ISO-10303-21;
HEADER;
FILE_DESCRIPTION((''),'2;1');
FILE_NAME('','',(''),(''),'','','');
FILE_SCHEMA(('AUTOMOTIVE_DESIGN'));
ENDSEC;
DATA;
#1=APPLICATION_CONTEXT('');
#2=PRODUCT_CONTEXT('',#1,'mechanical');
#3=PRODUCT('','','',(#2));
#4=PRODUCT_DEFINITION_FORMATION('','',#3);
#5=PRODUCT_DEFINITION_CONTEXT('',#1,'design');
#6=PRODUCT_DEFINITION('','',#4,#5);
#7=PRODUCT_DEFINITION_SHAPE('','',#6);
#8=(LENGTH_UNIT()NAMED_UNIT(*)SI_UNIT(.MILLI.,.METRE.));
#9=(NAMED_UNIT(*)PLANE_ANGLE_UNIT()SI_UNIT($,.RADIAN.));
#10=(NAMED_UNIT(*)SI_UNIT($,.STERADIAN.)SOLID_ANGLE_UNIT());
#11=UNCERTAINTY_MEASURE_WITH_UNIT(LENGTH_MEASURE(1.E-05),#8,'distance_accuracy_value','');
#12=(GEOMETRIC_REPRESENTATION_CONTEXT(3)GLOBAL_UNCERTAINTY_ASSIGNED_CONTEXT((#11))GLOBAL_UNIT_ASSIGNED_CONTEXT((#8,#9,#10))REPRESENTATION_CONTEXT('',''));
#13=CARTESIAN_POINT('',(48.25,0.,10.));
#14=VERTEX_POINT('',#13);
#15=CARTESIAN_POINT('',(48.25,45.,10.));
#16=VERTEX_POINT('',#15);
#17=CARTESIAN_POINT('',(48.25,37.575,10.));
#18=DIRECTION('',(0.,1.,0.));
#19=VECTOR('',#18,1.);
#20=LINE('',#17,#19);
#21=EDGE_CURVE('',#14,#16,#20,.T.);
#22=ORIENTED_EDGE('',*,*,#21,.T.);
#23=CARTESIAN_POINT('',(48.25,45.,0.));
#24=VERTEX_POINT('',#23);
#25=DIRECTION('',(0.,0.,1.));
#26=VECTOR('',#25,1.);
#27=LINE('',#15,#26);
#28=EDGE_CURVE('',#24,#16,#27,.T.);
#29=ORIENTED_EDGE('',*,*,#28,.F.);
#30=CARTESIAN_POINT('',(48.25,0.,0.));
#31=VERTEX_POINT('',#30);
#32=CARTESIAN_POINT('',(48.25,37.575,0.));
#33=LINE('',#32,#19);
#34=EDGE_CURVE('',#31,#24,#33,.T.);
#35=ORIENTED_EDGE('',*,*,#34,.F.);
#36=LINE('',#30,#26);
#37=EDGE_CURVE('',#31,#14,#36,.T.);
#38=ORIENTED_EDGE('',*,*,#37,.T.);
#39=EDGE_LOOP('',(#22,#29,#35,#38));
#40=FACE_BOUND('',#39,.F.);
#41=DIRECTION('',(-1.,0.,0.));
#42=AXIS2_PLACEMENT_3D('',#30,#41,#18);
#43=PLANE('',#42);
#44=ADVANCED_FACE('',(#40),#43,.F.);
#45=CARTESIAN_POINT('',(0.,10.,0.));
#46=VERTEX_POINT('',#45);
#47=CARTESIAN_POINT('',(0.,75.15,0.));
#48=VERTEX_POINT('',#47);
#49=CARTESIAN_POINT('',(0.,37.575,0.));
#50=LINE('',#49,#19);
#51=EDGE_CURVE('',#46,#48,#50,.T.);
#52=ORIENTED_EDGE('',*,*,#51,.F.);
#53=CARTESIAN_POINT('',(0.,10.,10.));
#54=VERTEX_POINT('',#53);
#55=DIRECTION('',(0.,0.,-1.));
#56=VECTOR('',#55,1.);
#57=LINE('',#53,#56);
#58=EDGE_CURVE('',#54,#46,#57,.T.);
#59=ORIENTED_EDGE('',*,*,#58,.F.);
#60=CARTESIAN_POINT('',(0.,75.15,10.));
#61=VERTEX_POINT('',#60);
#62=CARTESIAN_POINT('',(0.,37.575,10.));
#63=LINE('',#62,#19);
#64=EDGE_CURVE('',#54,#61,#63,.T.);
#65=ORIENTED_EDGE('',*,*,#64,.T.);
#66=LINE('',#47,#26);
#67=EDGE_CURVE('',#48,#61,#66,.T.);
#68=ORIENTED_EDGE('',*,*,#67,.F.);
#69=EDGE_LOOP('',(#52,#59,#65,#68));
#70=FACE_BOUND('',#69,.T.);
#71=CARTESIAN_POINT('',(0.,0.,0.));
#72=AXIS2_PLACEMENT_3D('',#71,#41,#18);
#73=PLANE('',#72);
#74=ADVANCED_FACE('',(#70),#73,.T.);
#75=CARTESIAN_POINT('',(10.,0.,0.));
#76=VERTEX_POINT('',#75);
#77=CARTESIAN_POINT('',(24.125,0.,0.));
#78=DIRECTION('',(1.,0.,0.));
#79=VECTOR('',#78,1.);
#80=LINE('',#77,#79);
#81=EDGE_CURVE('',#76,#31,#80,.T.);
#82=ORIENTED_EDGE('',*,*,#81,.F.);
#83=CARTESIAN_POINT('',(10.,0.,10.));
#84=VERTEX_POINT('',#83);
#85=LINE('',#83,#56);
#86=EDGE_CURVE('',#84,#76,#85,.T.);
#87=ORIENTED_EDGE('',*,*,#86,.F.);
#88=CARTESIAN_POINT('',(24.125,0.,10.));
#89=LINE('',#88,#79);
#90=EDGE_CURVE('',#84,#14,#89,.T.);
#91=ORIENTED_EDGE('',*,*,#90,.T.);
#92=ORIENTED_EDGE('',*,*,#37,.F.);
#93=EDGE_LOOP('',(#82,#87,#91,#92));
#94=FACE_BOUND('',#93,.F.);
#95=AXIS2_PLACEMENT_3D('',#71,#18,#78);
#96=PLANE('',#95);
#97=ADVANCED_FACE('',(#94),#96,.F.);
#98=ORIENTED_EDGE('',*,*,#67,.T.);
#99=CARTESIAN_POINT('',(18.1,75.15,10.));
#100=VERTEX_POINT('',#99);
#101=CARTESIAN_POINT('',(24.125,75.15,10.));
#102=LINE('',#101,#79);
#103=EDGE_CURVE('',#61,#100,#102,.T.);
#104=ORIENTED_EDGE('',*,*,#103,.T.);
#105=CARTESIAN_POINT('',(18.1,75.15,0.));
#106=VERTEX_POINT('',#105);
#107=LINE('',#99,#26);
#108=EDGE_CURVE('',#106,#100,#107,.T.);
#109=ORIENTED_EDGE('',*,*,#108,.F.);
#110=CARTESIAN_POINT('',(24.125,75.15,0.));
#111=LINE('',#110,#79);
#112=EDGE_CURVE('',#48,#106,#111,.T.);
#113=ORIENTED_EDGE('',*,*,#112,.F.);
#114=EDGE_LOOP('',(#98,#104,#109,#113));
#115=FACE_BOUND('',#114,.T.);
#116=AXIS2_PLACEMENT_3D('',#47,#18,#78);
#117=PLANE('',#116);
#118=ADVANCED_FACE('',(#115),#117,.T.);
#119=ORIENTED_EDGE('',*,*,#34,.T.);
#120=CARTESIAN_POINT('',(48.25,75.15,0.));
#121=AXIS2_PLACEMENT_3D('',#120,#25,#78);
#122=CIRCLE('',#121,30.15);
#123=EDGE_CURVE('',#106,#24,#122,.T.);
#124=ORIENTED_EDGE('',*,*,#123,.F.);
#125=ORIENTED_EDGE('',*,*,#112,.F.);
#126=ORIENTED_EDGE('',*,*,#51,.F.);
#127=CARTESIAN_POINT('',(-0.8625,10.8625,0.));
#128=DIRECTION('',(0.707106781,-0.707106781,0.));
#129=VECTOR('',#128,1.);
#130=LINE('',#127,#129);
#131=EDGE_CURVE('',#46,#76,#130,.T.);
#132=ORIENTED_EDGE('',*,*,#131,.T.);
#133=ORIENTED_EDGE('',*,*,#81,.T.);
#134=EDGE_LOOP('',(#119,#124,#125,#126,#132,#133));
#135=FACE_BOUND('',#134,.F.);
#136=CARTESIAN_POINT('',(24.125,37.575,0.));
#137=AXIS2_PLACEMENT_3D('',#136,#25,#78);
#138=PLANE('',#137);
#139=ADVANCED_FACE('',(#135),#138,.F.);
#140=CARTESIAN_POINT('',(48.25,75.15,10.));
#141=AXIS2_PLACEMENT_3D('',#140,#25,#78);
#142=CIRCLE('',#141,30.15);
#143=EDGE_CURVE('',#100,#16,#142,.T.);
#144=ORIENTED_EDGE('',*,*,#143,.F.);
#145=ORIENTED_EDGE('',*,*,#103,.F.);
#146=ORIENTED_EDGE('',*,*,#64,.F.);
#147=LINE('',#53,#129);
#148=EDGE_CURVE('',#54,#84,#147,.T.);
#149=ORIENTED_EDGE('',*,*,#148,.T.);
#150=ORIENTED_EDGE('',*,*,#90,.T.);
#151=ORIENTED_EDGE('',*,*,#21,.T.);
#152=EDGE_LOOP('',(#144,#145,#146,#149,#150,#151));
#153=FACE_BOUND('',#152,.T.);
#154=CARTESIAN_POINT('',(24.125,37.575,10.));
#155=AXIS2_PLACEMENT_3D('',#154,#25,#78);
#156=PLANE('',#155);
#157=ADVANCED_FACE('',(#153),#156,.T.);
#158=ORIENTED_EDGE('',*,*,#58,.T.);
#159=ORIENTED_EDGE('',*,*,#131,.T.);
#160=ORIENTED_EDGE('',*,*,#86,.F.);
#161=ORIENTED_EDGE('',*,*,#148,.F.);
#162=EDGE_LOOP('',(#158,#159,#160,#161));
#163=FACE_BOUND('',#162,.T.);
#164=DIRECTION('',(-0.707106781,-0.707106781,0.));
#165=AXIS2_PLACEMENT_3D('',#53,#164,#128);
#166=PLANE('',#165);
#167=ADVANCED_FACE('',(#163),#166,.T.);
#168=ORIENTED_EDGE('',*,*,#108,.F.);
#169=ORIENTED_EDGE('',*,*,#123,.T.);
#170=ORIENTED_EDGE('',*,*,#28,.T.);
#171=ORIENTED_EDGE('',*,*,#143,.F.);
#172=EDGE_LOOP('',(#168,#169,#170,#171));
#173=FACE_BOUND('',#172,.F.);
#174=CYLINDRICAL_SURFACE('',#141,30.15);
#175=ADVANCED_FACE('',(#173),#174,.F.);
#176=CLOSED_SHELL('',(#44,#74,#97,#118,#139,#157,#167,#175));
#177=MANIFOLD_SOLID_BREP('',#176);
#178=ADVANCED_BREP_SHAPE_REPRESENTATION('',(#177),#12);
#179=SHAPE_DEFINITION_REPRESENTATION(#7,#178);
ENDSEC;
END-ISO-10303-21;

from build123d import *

# Parameters (mm, degrees)
SKETCH_W     = 48.25
SKETCH_H     = 75.15
PAD_DEPTH    = 10
SKETCH001_R  = 30.15
POCKET_DEPTH = 10.001


with BuildPart() as part:
    # Sketch → Pad (new body)
    with BuildSketch(Plane.XY):
        with Locations((24.125, 37.575)):
            Rectangle(SKETCH_W, SKETCH_H)
    extrude(amount=PAD_DEPTH)

    # Sketch001 (on Face6 of Pad) → Pocket (cut, through all)
    with BuildSketch(Plane.XY.offset(10)):
        with Locations((48.25, 75.15)):
            Circle(SKETCH001_R)
        Polygon((0, 10), (10, 0), (0, 0), align=None)
    extrude(amount=-POCKET_DEPTH, mode=Mode.SUBTRACT)


solid = part.part
